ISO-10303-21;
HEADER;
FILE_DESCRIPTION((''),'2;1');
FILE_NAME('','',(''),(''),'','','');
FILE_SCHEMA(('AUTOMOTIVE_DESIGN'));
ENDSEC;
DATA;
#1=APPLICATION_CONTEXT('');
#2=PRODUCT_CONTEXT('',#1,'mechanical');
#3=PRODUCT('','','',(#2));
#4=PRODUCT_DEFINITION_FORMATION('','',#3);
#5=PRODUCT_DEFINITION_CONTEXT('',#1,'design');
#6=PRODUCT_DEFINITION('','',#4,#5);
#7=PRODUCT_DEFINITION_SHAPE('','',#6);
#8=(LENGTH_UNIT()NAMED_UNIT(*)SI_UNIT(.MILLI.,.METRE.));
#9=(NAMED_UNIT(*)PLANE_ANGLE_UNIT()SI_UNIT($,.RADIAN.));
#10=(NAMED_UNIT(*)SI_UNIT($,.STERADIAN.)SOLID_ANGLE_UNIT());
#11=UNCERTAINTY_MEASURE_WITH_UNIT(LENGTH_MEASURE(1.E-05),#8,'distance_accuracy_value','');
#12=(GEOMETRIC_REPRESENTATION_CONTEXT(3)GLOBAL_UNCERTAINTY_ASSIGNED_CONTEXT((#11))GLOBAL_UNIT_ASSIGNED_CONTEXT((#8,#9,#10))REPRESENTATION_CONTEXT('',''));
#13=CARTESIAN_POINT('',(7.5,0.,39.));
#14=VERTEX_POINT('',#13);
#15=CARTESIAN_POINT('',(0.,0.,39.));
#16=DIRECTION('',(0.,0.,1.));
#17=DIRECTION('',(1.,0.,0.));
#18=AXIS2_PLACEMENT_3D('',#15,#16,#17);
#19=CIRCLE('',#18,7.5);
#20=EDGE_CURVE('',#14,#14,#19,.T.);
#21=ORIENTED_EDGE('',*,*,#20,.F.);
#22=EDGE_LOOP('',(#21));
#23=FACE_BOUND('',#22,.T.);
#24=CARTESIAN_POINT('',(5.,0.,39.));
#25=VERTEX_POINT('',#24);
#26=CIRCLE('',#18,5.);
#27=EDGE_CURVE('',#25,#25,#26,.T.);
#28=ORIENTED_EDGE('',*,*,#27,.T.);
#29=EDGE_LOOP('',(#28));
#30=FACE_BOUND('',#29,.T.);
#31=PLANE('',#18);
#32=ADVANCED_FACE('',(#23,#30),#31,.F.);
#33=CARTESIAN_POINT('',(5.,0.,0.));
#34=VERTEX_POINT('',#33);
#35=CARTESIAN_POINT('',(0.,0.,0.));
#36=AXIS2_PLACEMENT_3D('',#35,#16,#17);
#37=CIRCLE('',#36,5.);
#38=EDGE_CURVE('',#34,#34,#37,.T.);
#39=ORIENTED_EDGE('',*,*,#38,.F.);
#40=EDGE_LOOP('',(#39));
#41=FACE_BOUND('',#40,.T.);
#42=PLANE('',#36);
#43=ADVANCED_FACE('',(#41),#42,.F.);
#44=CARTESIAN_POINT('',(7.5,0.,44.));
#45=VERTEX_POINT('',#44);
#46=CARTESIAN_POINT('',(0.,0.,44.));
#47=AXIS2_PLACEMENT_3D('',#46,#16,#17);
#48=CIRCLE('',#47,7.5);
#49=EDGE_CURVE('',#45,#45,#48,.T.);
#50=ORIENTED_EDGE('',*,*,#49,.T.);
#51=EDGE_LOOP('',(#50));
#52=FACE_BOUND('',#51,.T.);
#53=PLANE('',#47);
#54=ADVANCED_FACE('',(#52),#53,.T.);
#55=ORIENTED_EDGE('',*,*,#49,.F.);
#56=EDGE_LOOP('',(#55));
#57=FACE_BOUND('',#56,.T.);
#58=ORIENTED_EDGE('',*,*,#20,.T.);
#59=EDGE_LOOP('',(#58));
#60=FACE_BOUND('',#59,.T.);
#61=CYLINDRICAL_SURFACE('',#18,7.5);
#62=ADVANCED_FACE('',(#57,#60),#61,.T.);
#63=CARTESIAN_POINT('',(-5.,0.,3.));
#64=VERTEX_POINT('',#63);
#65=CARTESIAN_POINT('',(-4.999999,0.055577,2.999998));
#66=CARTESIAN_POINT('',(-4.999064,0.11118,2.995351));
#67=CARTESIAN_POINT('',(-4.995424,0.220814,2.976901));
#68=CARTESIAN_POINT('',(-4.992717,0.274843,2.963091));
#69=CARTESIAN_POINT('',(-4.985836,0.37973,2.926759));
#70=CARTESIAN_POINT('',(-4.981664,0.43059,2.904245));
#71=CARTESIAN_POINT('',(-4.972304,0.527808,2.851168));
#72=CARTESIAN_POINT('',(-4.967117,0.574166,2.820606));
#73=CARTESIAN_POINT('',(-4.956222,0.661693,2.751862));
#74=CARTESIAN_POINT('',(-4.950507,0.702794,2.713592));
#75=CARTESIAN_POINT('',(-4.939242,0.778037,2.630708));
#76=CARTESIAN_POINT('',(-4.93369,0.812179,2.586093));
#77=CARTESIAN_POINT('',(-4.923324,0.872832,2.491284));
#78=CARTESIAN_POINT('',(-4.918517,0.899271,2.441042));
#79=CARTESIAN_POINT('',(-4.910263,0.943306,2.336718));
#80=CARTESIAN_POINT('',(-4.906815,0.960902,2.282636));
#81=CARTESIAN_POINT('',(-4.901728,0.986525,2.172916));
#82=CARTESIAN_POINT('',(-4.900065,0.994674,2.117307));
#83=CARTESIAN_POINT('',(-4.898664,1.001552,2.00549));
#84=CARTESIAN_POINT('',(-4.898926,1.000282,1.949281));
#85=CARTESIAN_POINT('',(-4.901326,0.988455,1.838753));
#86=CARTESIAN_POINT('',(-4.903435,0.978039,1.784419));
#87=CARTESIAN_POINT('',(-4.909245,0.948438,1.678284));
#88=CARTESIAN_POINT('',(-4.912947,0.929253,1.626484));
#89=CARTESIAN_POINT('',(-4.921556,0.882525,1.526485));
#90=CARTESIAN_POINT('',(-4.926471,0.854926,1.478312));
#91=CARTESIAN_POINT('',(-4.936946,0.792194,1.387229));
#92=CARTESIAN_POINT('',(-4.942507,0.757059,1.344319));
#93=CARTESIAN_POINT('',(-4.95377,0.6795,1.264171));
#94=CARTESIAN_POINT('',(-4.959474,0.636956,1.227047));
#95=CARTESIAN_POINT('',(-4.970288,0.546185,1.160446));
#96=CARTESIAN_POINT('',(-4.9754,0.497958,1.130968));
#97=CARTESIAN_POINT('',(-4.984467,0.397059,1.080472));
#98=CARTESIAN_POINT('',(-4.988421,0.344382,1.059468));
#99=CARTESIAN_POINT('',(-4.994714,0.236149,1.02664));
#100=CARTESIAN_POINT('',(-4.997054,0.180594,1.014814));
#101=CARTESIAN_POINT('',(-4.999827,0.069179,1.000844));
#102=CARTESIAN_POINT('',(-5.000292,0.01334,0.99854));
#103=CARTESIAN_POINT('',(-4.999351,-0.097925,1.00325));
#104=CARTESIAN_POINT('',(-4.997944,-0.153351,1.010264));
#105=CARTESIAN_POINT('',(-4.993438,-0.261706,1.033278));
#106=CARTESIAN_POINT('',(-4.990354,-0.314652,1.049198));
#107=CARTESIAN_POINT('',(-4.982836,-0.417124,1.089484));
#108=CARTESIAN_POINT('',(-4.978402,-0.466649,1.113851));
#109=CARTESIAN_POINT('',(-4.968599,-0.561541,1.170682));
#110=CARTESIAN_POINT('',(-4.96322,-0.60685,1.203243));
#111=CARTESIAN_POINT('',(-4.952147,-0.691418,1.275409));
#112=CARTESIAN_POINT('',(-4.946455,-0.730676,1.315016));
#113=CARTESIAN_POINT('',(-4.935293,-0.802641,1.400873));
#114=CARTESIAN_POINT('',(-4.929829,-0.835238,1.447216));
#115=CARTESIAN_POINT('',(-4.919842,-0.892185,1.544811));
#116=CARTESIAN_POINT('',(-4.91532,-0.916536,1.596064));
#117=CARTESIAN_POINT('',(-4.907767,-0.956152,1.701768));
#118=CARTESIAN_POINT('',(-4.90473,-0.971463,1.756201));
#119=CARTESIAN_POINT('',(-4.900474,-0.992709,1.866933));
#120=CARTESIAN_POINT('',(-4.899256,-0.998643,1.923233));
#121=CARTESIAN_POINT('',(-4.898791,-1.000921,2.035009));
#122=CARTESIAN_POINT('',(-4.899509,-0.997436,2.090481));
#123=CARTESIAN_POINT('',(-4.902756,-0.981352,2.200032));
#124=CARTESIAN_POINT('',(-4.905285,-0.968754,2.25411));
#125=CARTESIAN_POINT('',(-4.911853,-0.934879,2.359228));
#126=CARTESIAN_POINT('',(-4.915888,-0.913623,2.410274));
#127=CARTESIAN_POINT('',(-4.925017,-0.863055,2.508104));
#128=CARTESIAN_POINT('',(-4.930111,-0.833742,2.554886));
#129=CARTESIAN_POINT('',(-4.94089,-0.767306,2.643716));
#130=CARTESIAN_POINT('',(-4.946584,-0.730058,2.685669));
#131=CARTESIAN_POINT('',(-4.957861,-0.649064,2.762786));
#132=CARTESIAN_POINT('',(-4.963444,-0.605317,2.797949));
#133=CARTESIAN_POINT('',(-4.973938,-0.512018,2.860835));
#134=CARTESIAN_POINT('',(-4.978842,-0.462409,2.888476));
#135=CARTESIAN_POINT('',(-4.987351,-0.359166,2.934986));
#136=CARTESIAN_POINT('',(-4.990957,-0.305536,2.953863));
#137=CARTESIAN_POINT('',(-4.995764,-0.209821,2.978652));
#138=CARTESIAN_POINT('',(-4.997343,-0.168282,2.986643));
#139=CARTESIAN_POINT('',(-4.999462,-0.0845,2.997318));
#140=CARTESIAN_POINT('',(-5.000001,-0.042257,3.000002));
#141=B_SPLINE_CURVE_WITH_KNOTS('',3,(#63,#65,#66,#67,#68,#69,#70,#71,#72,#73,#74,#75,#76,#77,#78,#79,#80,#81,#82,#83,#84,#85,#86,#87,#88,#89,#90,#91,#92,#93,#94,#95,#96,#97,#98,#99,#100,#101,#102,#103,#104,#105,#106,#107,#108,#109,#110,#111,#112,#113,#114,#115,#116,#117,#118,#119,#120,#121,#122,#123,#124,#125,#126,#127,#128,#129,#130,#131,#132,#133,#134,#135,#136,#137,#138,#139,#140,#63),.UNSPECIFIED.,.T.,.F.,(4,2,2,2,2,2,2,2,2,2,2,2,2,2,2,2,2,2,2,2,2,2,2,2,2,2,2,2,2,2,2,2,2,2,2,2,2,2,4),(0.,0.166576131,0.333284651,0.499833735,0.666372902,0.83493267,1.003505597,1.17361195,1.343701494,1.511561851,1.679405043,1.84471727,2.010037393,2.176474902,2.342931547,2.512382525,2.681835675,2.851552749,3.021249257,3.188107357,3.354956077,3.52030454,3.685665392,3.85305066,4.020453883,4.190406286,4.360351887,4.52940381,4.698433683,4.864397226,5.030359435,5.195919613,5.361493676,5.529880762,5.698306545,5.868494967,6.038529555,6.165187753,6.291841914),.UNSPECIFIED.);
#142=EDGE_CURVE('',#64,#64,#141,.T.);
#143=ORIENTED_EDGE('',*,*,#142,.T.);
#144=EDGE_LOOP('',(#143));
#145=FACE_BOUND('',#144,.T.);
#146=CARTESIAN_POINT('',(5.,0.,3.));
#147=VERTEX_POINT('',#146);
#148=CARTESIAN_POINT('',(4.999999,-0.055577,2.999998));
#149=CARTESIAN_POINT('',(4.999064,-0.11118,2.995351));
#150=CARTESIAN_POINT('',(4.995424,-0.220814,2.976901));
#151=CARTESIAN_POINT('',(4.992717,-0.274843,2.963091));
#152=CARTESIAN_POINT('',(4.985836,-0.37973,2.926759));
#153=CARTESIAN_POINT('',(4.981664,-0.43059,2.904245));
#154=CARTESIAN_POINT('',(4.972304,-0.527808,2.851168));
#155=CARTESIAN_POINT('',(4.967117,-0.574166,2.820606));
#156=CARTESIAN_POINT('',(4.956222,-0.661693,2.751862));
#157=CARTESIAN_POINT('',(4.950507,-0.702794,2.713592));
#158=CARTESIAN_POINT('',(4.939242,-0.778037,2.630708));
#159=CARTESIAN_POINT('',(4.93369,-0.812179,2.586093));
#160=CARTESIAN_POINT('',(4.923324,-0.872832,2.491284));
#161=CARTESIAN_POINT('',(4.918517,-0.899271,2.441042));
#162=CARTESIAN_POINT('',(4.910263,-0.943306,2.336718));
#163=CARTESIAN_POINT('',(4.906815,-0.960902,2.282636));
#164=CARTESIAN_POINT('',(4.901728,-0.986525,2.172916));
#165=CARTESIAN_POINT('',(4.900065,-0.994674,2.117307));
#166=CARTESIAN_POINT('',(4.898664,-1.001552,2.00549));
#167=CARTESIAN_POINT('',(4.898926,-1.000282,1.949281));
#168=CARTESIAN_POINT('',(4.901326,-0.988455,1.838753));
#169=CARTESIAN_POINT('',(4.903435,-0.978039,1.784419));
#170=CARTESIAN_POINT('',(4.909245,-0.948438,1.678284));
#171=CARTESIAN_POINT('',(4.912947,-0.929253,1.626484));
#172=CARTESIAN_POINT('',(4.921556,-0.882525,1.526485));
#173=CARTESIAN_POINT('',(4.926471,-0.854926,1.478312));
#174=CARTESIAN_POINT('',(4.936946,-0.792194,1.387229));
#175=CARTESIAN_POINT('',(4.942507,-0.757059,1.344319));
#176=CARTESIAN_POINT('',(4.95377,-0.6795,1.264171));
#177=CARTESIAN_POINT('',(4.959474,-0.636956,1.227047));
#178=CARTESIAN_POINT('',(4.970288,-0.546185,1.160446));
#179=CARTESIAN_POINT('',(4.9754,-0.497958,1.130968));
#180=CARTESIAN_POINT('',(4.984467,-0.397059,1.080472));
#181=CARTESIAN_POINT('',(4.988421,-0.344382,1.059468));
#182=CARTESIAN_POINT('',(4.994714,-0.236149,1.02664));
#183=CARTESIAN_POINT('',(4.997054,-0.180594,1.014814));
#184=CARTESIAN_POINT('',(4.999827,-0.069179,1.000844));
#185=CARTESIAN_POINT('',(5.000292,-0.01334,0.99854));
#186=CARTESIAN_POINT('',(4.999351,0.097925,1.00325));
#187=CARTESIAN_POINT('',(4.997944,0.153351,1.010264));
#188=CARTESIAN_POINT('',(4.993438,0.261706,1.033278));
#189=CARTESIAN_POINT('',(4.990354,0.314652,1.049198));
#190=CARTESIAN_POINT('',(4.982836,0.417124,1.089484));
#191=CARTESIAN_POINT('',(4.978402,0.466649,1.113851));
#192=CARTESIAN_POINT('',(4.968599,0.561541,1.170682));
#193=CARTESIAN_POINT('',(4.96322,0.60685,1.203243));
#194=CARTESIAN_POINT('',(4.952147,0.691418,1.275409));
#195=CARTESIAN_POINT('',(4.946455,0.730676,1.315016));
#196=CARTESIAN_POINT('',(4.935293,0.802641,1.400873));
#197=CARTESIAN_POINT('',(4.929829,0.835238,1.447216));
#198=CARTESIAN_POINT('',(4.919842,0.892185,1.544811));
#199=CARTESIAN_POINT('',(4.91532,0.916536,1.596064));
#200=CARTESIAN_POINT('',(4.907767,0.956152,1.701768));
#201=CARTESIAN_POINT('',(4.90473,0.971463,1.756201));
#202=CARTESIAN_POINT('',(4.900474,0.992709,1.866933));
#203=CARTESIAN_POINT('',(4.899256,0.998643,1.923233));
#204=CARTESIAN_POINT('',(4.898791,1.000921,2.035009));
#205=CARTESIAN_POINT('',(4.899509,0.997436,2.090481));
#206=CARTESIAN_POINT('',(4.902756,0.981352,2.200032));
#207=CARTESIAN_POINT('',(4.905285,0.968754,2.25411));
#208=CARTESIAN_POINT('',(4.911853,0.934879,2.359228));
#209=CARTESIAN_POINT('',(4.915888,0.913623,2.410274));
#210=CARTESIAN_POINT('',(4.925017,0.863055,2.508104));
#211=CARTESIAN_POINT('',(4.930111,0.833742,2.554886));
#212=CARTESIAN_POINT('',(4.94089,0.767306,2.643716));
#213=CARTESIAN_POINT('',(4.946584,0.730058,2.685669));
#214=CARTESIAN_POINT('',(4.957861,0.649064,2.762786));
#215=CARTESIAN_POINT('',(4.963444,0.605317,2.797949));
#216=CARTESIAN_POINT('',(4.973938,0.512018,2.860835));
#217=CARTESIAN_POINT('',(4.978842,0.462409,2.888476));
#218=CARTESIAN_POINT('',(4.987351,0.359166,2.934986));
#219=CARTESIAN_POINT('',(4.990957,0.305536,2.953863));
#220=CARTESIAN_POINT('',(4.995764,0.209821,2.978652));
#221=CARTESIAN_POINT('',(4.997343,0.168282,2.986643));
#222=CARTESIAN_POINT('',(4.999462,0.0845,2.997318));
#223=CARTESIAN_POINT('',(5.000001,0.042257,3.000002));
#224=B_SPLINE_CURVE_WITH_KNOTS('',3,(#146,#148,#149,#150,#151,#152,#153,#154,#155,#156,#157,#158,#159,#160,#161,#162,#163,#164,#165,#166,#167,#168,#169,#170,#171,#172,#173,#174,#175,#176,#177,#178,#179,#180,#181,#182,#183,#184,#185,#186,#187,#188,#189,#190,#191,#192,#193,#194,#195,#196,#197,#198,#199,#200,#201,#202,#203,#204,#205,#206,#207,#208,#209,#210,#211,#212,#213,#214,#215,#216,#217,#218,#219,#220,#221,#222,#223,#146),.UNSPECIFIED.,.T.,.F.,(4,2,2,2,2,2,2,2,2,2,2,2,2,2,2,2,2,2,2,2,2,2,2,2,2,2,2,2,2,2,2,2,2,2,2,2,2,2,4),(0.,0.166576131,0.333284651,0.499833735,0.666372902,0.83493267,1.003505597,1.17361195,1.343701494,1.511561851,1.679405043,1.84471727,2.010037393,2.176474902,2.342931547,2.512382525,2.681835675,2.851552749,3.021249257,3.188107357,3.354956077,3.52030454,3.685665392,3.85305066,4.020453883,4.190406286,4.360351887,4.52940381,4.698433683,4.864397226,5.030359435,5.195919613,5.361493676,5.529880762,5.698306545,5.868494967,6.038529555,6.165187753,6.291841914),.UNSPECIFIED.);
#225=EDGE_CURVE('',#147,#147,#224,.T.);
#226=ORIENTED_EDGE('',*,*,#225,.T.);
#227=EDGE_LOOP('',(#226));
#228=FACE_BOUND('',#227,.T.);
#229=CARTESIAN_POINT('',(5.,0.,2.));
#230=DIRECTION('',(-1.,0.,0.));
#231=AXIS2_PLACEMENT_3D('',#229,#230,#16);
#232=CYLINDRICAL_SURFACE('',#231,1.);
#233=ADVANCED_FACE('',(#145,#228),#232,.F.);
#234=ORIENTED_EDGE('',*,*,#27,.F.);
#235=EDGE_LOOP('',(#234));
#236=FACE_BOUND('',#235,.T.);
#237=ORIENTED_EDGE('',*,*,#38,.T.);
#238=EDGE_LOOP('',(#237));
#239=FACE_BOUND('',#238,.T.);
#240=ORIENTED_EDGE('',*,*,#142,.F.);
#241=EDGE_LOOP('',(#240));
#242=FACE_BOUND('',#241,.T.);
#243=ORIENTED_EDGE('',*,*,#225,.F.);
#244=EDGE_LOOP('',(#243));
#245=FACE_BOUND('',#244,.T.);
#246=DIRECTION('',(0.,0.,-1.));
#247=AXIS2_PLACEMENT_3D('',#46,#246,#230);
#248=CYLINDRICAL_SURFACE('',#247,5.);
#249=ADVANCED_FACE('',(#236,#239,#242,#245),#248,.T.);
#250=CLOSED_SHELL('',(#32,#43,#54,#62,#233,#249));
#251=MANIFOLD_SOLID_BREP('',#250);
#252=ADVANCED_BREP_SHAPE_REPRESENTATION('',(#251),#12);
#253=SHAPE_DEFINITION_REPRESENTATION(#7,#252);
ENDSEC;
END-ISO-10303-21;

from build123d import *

# Parameters (mm, degrees)
SKETCH1_R               = 5
BOSS_EXTRUDE1_DEPTH     = 44
SKETCH2_R               = 7.5
BOSS_EXTRUDE2_DEPTH     = 5
CUT_EXTRUDE1_DEPTH      = 5
CUT_EXTRUDE1_DEPTH_BACK = 5
SKETCH3_R               = 1


with BuildPart() as part:
    # Sketch1 → Boss-Extrude1 (new body)
    with BuildSketch(Plane.XY):
        Circle(SKETCH1_R)
    extrude(amount=BOSS_EXTRUDE1_DEPTH)

    # Sketch2 → Boss-Extrude2 (add)
    with BuildSketch(Plane.XY.offset(44)):
        Circle(SKETCH2_R)
    extrude(amount=-BOSS_EXTRUDE2_DEPTH)

    # Sketch3 → Cut-Extrude1 (cut, two sides: drawn at the far end of the back side and taken through both)
    with BuildSketch(Plane(origin=(0, 0, 0), x_dir=(0, 0, -1), z_dir=(1, 0, 0)).offset(-CUT_EXTRUDE1_DEPTH_BACK)):
        with Locations(Location((-2, 0, 0), (0, 0, 180))):
            Circle(SKETCH3_R)
    extrude(amount=CUT_EXTRUDE1_DEPTH + CUT_EXTRUDE1_DEPTH_BACK, mode=Mode.SUBTRACT)


solid = part.part
